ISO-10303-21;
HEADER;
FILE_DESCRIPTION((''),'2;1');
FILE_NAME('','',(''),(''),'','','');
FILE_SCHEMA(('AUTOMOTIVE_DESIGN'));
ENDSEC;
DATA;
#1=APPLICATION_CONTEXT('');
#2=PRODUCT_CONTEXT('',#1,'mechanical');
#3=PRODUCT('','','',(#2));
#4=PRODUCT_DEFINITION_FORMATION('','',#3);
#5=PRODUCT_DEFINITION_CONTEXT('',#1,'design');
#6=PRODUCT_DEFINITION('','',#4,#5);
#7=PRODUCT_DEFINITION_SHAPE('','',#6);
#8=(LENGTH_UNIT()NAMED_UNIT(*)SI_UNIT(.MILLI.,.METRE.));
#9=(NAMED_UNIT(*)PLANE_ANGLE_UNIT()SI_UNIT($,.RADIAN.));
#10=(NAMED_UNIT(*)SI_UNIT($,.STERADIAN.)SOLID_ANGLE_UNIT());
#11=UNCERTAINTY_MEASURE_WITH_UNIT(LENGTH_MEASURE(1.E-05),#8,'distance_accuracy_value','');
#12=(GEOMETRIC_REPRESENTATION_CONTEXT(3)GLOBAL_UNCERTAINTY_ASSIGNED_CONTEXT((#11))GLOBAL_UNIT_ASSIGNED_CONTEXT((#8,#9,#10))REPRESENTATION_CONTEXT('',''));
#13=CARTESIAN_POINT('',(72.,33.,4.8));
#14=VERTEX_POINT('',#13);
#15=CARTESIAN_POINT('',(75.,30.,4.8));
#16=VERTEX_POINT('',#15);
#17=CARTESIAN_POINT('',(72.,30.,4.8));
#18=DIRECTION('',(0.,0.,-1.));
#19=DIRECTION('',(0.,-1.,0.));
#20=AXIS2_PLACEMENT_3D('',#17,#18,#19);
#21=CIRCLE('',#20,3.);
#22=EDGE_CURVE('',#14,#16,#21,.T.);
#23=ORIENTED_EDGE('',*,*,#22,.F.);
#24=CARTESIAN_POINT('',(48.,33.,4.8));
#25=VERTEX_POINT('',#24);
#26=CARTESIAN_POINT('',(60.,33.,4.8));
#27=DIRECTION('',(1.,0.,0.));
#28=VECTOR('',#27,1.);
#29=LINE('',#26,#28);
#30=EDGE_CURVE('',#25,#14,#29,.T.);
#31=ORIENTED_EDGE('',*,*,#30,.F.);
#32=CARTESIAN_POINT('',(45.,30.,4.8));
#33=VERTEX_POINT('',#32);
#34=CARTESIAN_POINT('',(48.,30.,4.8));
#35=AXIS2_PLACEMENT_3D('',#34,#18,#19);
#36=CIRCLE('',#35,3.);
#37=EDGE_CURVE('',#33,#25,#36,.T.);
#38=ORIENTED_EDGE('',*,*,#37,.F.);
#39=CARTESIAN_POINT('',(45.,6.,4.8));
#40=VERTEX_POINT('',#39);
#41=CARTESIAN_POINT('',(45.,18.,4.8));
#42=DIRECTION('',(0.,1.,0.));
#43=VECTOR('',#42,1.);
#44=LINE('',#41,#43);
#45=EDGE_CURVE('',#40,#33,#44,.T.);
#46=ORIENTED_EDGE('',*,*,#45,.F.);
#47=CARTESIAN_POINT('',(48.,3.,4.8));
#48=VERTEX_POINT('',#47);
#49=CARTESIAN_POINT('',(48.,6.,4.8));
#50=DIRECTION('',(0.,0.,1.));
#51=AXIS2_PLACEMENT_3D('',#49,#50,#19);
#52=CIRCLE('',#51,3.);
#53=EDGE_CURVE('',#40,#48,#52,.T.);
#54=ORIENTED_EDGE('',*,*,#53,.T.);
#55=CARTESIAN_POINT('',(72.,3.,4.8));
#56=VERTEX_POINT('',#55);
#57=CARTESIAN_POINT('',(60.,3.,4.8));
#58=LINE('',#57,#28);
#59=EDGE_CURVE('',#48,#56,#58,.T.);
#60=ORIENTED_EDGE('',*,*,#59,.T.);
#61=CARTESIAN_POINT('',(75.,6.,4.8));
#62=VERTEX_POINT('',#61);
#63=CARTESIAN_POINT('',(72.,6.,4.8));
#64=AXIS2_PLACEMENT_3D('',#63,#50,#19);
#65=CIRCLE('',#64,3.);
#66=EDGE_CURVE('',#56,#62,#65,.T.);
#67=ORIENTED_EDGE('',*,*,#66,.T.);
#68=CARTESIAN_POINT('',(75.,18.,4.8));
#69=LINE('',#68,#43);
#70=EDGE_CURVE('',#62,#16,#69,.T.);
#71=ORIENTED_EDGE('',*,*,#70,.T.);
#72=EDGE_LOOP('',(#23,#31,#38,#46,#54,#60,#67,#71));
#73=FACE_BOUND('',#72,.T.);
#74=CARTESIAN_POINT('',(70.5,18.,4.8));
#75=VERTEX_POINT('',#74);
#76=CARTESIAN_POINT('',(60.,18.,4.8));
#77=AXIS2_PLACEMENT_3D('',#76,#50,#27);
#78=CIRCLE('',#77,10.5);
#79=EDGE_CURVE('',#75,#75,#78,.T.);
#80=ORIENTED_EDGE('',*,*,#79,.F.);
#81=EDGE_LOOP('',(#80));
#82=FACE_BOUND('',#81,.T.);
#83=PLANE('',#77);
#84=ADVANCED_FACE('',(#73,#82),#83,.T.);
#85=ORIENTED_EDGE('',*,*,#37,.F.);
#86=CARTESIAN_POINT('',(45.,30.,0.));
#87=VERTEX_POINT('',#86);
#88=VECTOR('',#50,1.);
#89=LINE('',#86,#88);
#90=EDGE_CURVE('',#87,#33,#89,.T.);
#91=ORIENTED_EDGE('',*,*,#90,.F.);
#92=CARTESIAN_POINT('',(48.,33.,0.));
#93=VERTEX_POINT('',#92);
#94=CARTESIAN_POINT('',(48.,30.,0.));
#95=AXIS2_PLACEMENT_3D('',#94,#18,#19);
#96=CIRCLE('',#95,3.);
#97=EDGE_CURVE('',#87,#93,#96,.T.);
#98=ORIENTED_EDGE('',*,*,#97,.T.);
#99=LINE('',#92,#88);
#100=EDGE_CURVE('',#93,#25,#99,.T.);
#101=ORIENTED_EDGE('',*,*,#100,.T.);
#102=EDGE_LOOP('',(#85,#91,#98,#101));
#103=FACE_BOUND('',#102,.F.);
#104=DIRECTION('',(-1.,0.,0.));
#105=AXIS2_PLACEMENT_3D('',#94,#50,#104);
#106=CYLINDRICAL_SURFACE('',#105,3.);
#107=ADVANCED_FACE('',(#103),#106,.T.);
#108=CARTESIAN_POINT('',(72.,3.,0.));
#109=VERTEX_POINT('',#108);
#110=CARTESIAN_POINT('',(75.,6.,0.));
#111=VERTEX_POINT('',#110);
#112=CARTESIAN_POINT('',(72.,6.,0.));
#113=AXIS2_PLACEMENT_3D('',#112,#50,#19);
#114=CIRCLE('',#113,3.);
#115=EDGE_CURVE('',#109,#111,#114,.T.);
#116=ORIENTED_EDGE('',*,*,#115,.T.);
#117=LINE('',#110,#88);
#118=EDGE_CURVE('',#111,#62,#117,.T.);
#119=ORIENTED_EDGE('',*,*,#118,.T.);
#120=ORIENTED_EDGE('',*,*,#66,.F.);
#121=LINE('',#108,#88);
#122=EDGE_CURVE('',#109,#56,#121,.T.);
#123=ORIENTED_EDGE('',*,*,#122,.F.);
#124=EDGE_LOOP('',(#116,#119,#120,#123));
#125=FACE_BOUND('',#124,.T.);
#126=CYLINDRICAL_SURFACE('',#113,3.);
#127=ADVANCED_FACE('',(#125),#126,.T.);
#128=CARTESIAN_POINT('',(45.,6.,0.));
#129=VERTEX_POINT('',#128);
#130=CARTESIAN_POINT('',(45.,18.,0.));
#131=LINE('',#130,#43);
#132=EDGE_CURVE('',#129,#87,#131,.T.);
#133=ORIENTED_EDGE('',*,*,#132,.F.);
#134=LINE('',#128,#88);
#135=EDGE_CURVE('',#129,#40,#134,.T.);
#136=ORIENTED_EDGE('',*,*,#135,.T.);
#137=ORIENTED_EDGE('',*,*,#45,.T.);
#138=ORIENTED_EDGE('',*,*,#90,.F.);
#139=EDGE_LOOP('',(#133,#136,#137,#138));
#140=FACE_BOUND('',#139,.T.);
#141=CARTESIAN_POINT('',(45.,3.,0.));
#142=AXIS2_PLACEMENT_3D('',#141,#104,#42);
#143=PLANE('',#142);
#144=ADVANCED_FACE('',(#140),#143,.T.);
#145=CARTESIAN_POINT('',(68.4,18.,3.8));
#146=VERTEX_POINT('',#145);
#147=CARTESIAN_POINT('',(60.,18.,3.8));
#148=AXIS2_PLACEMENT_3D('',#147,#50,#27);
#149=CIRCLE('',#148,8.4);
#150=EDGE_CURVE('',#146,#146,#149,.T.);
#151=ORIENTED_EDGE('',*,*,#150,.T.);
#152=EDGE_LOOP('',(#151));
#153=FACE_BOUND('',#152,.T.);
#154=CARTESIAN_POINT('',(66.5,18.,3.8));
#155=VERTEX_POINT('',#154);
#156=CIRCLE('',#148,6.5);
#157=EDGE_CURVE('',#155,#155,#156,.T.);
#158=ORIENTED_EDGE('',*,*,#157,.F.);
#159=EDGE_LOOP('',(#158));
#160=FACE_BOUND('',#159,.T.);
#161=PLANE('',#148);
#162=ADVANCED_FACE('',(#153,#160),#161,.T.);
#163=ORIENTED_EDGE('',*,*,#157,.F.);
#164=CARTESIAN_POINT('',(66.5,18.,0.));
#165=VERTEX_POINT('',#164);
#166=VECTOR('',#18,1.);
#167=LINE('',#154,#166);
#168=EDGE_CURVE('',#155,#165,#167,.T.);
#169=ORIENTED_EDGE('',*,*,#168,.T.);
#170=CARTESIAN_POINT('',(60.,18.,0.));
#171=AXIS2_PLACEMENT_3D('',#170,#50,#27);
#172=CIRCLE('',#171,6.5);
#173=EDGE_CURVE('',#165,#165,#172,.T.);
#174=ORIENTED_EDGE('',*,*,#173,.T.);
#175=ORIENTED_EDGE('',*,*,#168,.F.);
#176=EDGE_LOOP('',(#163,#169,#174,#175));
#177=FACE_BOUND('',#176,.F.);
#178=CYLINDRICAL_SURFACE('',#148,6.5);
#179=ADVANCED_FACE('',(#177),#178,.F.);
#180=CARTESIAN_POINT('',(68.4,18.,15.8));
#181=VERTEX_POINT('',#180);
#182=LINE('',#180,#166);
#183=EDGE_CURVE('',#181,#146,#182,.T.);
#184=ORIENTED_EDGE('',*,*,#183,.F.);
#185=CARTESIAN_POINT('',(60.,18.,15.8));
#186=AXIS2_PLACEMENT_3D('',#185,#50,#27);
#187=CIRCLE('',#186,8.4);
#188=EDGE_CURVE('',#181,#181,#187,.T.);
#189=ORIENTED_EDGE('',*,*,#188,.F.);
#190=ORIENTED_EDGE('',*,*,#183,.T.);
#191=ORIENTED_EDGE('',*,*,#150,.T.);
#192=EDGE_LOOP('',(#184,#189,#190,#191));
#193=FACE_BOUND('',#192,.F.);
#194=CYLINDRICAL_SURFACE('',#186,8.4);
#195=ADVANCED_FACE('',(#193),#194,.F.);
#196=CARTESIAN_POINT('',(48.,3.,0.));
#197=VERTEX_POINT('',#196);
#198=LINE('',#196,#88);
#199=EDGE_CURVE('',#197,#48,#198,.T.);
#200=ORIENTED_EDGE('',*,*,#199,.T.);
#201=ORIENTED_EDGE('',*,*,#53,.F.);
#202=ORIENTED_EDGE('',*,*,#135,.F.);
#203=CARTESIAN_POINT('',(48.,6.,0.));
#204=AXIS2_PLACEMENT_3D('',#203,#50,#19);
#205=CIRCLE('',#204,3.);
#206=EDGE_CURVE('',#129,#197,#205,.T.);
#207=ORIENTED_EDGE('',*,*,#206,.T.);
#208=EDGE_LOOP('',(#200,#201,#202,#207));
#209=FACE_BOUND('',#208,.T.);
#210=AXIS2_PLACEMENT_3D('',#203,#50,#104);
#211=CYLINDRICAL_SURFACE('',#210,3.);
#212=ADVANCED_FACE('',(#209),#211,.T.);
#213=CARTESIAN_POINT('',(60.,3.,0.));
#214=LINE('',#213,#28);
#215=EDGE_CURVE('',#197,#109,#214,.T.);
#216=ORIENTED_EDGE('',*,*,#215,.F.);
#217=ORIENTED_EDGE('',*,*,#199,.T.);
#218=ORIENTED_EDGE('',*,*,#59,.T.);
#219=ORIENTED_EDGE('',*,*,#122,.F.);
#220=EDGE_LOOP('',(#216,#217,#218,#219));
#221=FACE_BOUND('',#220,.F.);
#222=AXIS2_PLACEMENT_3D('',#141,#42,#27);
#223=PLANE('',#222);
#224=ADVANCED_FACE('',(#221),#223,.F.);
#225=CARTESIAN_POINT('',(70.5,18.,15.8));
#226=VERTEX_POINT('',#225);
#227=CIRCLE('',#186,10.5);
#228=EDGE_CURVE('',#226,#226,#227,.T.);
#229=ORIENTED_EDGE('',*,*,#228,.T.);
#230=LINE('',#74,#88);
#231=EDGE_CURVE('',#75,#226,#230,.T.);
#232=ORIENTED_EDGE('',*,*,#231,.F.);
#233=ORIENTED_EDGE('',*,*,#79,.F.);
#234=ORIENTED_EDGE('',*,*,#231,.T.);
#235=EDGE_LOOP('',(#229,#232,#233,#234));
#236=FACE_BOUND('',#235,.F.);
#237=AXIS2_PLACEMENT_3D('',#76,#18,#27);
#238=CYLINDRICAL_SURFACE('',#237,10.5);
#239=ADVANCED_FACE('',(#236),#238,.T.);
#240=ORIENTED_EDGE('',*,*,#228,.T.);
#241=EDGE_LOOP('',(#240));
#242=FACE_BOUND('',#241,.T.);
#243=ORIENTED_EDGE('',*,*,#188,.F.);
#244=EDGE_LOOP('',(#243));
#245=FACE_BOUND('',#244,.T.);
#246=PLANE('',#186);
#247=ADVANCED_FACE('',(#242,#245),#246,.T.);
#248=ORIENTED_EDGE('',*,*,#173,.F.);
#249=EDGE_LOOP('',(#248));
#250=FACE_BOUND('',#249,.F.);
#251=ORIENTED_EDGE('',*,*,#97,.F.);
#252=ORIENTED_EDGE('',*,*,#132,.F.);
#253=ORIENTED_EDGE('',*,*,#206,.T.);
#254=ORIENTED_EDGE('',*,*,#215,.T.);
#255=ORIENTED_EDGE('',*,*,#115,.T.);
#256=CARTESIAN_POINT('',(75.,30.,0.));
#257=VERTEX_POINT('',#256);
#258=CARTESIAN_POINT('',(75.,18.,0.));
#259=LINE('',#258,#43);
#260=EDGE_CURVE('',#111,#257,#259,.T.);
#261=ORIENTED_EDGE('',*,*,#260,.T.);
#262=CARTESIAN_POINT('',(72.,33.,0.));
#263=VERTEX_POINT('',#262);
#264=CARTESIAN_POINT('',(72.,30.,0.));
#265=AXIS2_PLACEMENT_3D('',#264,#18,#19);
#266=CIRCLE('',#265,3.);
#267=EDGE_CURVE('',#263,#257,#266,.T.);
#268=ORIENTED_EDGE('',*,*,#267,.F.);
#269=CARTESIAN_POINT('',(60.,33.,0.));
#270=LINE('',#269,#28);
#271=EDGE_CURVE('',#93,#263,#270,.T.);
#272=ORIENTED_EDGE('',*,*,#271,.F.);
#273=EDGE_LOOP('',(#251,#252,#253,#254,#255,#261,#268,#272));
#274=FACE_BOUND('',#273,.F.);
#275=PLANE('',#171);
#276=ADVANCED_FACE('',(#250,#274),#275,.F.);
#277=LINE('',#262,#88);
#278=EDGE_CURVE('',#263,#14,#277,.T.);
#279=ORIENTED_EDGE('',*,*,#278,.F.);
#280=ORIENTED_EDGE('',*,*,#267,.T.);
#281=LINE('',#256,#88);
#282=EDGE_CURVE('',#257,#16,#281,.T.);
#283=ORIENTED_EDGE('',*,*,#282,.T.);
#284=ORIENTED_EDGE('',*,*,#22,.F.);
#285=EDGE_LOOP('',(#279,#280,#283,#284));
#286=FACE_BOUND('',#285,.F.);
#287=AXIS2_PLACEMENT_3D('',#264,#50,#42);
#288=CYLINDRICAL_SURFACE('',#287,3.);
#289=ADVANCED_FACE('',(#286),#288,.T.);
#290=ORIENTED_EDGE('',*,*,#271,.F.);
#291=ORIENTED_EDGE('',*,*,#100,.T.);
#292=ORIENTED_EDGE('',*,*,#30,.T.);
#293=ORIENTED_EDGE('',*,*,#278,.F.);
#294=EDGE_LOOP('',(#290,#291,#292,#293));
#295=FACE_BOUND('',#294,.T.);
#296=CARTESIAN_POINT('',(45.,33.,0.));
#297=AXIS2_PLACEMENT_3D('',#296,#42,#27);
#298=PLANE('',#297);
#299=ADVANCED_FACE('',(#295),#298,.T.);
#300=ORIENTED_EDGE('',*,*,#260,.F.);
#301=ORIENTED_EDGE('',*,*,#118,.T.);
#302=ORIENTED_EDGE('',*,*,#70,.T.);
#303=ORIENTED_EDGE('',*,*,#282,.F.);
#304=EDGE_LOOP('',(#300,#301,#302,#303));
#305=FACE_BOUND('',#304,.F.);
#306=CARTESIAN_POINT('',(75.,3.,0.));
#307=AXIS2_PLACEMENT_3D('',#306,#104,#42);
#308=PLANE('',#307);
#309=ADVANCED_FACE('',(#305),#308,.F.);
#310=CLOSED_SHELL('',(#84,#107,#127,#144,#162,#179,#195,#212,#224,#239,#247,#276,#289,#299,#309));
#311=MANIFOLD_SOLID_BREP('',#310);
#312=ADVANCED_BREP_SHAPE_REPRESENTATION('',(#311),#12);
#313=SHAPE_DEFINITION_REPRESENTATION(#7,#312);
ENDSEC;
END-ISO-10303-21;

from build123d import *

# Parameters (mm, degrees)
SKETCH006_W     = 30
SKETCH006_H     = 30
PAD003_DEPTH    = 4.8
SKETCH007_R     = 10.5
PAD004_DEPTH    = 11
SKETCH008_R     = 8.4
POCKET003_DEPTH = 12
SKETCH011_R     = 6.5
POCKET004_DEPTH = 3.801
FILLET002_R     = 3


with BuildPart() as part:
    # Sketch006 → Pad003 (new body)
    with BuildSketch(Plane.XY):
        Rectangle(SKETCH006_W, SKETCH006_H)
    extrude(amount=PAD003_DEPTH)

    # Sketch007 (on Face6 of Pad003) → Pad004 (join)
    with BuildSketch(Plane.XY.offset(4.8)):
        Circle(SKETCH007_R)
    extrude(amount=PAD004_DEPTH)

    # Sketch008 (on Face8 of Pad004) → Pocket003 (cut)
    with BuildSketch(Plane.XY.offset(15.8)):
        Circle(SKETCH008_R)
    extrude(amount=-POCKET003_DEPTH, mode=Mode.SUBTRACT)

    # Sketch011 (on Face10 of Pocket003) → Pocket004 (cut, through all)
    with BuildSketch(Plane.XY.offset(3.8)):
        Circle(SKETCH011_R)
    extrude(amount=-POCKET004_DEPTH, mode=Mode.SUBTRACT)

    # Fillet002
    fillet002_edges = [part.edges().sort_by_distance(p)[0] for p in [
        (15, -15, 2.4),
        (-15, -15, 2.4),
        (15, 15, 2.4),
        (-15, 15, 2.4),
    ]]
    fillet(fillet002_edges, radius=FILLET002_R)


with BuildPart() as part_1:
    # Body003 placement: moved
    add(part.part.moved(Location((60, 18, 0))))


solid = part_1.part
